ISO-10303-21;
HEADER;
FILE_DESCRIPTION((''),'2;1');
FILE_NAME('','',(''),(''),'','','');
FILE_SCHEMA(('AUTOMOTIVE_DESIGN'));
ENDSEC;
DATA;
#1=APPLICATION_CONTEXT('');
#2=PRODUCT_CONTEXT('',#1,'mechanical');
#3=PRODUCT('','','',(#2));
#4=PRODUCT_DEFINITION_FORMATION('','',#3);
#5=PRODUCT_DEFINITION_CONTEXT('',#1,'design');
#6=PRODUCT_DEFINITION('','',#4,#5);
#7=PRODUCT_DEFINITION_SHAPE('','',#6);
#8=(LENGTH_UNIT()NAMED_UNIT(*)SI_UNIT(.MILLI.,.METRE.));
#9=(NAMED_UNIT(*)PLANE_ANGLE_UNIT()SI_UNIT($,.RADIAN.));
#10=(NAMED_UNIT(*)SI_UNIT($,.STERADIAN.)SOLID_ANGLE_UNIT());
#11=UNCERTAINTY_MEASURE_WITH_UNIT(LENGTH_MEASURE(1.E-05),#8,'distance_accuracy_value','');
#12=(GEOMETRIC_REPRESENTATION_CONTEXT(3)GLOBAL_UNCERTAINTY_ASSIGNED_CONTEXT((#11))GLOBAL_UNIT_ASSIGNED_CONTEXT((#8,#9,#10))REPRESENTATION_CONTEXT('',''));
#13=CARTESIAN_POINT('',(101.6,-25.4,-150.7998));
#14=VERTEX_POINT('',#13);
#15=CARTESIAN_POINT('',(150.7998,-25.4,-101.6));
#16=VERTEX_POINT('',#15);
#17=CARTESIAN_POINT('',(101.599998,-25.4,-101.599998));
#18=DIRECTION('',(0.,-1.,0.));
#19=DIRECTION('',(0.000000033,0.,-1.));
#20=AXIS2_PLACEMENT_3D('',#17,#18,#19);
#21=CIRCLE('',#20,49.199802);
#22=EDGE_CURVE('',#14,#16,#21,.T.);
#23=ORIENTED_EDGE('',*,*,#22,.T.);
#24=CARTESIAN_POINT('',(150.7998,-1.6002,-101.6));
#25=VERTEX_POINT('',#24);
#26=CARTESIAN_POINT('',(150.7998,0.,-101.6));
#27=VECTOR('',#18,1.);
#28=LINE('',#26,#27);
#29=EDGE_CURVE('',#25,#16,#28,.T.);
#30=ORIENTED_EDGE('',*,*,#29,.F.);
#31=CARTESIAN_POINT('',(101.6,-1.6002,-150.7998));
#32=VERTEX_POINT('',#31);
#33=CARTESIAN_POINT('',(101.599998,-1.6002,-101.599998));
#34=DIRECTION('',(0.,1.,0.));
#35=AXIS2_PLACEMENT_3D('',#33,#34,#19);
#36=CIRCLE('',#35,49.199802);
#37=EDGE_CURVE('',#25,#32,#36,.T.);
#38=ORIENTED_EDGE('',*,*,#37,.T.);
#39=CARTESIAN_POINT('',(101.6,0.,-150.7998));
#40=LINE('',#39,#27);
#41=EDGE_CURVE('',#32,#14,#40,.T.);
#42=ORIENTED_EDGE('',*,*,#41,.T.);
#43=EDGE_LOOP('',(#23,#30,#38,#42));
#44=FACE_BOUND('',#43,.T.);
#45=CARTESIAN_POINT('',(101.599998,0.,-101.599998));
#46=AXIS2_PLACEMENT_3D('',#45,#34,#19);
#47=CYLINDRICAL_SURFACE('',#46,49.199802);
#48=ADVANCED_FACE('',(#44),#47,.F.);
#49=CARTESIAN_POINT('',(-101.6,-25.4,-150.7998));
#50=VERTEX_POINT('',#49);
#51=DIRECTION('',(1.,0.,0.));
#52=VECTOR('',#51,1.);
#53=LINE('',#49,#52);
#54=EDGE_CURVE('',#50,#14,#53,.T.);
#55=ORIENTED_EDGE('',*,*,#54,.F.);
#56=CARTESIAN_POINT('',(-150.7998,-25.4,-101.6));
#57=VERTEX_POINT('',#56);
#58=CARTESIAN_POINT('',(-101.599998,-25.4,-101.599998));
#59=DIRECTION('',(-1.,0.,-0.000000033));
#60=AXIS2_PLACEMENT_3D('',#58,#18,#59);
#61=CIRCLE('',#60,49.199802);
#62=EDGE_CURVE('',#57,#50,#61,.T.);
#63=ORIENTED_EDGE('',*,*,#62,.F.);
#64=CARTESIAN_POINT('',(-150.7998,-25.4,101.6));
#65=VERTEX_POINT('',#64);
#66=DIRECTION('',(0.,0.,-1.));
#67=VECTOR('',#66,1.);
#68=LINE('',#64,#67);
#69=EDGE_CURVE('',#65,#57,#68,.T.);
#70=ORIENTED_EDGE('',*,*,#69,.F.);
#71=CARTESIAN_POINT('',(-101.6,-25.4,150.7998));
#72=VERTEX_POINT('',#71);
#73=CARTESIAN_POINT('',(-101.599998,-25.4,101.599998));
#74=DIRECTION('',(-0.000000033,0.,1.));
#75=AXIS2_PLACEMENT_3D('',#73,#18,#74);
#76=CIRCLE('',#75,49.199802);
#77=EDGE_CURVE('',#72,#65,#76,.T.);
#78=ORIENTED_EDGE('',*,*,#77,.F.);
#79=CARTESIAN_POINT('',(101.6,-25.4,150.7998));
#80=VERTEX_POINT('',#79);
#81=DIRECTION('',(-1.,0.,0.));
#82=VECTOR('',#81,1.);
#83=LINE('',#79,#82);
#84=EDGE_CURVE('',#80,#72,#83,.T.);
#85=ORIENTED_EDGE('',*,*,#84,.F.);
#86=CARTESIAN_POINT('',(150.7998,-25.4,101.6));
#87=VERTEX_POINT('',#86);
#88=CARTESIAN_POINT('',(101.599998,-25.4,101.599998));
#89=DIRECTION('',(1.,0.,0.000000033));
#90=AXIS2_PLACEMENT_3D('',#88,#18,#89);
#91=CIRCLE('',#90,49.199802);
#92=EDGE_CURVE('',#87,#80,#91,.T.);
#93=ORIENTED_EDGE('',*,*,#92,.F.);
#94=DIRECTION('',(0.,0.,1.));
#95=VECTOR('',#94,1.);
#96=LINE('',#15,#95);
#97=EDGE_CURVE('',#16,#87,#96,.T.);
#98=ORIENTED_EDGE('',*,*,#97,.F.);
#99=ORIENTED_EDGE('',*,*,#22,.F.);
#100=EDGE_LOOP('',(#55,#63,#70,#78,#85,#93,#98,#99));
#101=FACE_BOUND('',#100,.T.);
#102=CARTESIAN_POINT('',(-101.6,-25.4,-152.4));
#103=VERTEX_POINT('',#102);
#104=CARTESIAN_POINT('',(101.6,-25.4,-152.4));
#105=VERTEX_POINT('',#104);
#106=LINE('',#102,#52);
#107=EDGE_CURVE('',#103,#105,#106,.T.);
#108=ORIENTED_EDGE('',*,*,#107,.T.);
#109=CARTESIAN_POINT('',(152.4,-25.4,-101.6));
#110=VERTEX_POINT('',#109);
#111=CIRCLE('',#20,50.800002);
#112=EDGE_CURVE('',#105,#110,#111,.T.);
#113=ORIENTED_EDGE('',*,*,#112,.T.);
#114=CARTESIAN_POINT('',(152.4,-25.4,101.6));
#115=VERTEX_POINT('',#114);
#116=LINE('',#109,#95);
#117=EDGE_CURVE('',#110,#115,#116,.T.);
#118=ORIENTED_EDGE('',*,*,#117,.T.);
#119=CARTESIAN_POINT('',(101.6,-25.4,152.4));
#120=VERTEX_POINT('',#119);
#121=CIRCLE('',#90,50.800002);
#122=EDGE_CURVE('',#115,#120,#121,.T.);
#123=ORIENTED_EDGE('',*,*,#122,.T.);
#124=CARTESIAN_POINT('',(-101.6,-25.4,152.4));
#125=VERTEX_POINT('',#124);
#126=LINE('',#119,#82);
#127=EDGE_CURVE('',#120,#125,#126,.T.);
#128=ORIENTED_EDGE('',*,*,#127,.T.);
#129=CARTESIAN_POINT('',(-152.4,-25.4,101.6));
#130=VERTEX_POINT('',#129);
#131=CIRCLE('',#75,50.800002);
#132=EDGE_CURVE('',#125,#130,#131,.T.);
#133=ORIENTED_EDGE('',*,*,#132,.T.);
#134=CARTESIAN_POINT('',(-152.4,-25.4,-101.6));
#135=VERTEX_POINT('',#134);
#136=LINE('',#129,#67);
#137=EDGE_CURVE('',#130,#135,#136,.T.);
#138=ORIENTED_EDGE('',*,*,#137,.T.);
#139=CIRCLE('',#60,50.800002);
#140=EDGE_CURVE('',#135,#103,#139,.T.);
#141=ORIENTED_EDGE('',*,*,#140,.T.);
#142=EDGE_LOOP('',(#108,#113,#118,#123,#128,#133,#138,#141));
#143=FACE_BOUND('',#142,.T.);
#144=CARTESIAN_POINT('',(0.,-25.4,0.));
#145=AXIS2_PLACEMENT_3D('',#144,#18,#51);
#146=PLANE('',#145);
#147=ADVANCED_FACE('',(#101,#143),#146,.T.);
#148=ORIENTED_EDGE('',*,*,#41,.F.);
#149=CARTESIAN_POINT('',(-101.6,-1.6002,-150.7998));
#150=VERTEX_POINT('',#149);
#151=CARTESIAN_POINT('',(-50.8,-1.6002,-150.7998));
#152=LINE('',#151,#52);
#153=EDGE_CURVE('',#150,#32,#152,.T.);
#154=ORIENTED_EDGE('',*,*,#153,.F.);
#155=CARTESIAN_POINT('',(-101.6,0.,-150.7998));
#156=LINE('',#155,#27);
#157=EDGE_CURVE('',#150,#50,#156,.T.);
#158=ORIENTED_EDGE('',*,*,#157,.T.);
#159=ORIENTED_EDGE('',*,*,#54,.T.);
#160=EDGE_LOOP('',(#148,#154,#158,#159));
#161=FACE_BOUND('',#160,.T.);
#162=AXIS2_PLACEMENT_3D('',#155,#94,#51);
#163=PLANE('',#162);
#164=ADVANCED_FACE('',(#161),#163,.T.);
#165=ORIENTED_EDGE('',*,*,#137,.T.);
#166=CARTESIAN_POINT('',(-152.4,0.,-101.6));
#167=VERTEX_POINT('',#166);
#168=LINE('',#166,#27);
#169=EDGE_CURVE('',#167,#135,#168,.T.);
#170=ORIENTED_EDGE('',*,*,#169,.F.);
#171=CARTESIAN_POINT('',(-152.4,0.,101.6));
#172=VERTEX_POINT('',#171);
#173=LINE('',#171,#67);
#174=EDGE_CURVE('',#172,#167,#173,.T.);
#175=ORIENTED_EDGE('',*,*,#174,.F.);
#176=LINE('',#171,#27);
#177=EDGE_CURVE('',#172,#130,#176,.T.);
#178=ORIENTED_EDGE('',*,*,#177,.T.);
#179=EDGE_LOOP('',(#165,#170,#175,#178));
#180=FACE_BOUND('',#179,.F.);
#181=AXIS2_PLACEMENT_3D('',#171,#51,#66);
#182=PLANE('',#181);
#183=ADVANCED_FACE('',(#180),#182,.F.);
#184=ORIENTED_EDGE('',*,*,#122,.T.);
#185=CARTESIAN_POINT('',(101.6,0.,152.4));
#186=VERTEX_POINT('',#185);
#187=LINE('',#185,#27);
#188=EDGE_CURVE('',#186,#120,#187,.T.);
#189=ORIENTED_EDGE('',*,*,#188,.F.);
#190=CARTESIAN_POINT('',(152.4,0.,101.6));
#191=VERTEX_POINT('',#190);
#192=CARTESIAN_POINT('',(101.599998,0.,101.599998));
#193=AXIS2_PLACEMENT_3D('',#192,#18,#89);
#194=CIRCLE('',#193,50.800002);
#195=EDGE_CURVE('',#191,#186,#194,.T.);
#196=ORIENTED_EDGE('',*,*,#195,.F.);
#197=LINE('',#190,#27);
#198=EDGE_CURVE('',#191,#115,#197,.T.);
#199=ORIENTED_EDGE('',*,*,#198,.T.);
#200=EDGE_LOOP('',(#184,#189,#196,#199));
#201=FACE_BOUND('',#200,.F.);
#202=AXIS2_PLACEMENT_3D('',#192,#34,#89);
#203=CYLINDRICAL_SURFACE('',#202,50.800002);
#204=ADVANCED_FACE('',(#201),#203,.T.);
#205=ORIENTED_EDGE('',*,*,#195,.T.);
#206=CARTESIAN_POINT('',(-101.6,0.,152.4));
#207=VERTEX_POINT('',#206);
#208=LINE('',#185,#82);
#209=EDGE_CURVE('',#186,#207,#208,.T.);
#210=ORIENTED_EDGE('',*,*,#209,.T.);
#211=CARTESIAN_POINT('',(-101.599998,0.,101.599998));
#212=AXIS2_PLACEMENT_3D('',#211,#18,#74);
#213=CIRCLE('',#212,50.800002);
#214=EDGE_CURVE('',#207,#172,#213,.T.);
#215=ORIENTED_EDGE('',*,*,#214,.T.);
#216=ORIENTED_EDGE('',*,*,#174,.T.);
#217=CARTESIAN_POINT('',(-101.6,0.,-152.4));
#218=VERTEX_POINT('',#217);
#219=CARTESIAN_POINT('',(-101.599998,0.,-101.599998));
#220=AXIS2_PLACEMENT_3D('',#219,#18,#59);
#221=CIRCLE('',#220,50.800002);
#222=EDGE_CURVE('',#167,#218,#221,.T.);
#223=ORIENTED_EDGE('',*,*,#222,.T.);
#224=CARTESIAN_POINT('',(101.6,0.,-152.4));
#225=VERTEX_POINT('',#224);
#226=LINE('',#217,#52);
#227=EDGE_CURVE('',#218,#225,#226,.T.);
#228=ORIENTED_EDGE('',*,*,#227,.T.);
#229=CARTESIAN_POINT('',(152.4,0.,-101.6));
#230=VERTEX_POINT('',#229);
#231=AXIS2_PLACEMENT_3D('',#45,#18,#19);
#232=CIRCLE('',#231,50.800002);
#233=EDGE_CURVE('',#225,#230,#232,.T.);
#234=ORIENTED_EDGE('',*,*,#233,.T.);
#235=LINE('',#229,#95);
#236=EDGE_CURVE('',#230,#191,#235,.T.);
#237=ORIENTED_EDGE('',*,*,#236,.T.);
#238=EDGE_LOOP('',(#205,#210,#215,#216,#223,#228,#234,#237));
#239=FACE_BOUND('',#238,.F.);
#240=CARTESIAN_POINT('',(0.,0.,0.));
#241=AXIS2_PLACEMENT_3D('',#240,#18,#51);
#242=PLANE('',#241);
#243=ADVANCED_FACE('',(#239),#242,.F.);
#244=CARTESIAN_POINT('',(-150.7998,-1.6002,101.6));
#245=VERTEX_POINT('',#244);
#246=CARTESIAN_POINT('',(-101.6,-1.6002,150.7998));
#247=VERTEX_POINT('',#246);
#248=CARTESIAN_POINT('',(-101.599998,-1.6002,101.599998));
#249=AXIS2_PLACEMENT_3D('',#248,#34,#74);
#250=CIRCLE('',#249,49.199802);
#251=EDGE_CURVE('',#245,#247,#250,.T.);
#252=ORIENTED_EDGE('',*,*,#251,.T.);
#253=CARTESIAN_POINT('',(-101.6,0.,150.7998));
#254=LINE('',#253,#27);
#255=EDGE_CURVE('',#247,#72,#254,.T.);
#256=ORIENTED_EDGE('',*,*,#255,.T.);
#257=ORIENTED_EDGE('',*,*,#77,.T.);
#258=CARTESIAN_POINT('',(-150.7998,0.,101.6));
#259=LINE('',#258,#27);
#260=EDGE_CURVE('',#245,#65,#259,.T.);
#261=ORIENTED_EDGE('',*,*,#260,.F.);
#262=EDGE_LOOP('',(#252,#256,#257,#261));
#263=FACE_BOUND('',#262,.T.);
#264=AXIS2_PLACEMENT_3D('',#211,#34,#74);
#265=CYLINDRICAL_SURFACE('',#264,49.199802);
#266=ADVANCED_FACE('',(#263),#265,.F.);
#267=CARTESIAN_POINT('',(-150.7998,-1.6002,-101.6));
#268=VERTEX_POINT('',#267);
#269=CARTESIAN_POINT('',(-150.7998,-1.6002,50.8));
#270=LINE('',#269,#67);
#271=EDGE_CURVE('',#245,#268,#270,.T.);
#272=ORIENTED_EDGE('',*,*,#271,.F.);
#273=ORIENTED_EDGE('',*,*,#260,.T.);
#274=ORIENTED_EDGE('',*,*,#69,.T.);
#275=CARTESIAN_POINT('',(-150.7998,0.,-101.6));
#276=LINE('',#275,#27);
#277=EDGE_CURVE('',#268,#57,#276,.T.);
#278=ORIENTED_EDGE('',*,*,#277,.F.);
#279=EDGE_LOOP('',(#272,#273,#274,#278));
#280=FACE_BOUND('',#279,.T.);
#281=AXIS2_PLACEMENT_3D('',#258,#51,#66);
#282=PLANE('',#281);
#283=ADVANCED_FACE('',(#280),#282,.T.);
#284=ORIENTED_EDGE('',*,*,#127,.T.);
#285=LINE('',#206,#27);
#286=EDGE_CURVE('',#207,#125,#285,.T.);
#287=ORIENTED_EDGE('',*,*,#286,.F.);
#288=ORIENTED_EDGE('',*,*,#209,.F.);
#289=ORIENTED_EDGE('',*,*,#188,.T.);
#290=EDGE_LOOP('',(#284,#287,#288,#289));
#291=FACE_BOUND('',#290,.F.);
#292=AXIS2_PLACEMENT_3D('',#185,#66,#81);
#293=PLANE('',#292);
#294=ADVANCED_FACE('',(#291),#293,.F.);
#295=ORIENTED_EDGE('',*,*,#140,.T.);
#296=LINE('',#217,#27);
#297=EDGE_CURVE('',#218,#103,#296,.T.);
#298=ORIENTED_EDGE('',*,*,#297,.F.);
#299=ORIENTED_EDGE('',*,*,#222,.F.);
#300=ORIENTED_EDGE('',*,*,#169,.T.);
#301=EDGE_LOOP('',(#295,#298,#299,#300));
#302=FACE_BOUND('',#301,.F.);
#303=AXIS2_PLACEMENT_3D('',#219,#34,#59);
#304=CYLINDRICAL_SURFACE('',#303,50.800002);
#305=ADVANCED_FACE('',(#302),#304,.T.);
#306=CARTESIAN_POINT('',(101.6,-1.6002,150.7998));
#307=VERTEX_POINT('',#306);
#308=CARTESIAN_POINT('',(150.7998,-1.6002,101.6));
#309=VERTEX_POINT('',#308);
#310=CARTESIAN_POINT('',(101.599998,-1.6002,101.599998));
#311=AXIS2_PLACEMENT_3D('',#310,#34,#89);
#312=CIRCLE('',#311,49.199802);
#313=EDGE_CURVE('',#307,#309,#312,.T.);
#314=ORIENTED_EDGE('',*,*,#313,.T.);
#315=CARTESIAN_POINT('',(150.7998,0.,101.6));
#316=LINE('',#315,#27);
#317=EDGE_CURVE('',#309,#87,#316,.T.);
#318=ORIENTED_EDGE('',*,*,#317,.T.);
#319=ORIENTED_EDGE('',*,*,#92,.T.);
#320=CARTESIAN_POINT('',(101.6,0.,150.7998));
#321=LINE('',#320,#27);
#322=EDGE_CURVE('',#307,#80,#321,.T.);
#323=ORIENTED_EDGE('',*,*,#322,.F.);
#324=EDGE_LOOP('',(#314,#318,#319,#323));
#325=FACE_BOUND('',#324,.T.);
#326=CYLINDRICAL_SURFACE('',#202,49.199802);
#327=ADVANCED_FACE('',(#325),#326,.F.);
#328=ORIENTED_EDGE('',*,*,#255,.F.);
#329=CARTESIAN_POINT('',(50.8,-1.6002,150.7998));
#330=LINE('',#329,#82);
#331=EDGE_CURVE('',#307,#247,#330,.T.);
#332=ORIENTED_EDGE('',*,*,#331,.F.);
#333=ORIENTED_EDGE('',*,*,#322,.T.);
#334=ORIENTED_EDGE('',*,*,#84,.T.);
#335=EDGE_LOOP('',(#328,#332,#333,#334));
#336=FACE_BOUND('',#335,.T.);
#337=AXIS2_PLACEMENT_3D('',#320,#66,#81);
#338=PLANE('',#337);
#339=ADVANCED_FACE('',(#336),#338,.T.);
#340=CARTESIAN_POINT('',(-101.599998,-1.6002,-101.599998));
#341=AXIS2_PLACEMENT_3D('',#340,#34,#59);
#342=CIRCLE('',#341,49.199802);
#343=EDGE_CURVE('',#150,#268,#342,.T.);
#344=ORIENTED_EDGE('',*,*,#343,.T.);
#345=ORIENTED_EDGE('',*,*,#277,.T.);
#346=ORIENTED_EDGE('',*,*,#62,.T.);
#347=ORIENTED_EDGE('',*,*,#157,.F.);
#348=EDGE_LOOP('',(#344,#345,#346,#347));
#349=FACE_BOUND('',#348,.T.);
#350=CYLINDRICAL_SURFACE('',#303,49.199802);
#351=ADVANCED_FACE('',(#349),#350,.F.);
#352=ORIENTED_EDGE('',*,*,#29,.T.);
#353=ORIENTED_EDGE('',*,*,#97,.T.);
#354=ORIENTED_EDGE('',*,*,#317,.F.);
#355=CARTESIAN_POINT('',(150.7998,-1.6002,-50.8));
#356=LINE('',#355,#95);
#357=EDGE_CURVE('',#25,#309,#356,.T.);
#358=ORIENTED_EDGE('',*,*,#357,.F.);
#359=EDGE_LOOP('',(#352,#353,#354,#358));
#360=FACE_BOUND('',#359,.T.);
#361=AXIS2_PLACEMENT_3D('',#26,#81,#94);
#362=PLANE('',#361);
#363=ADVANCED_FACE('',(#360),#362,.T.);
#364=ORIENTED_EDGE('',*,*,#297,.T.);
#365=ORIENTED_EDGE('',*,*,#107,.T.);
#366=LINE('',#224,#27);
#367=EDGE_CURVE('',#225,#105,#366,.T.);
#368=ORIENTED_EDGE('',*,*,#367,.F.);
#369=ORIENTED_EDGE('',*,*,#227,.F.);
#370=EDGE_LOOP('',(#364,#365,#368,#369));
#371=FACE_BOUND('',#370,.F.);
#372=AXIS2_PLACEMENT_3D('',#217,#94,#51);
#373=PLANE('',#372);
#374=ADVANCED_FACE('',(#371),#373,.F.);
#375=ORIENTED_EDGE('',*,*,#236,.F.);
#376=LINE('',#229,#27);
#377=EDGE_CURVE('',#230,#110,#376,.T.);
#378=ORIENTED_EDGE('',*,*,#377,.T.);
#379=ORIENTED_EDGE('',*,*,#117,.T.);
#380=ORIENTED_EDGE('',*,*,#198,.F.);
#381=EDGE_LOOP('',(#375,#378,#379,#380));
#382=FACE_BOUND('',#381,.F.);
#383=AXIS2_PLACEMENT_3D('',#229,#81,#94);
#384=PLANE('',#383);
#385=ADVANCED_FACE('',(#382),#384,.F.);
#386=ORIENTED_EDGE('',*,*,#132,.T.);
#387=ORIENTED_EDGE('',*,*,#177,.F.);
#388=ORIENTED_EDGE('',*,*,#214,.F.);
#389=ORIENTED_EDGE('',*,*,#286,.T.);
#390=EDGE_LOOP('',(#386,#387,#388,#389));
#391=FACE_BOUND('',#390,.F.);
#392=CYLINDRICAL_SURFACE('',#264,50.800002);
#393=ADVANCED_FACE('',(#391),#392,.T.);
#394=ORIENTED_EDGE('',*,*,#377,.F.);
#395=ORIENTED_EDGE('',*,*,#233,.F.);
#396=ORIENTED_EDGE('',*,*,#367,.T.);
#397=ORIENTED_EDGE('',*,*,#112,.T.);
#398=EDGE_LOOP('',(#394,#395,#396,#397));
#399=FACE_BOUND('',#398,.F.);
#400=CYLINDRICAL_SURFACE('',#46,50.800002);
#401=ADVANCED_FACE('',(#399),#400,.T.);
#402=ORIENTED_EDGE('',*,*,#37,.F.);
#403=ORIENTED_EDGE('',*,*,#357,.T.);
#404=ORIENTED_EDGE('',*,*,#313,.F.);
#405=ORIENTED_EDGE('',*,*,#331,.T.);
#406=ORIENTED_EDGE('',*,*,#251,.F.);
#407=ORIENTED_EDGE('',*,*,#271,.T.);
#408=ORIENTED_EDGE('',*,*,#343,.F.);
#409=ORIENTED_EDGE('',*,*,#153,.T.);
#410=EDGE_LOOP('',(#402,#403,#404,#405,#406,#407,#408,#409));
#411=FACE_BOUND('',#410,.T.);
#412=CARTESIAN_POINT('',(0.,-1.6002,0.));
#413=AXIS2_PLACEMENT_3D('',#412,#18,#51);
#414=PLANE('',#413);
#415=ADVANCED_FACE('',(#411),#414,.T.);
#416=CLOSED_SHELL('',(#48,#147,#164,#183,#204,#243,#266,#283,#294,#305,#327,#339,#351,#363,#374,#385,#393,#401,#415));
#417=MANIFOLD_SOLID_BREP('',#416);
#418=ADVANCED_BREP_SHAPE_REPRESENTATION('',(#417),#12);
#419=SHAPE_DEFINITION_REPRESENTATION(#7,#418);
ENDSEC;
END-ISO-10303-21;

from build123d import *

# Parameters (mm, degrees)
F1_DEPTH = 25.4
F2_T     = -1.6002


with BuildPart() as f1:
    # F0 (on Front) → F1 (new body)
    with BuildSketch(Plane.XZ):
        with BuildLine():
            ThreePointArc((152.4, 101.6), (137.521024, 137.521024), (101.6, 152.4))
            Line((101.6, 152.4), (-101.6, 152.4))
            ThreePointArc((-101.6, 152.4), (-137.521024, 137.521024), (-152.4, 101.6))
            Line((-152.4, 101.6), (-152.4, -101.6))
            ThreePointArc((-152.4, -101.6), (-137.521024, -137.521024), (-101.6, -152.4))
            Line((-101.6, -152.4), (101.6, -152.4))
            ThreePointArc((101.6, -152.4), (137.521024, -137.521024), (152.4, -101.6))
            Line((152.4, -101.6), (152.4, 101.6))
        make_face()
    extrude(amount=F1_DEPTH)

    # F2
    f2_openings = [f1.faces().sort_by_distance(p)[0] for p in [
        (0, -25.4, 0),
    ]]
    offset(amount=F2_T, openings=f2_openings)


solid = f1.part
